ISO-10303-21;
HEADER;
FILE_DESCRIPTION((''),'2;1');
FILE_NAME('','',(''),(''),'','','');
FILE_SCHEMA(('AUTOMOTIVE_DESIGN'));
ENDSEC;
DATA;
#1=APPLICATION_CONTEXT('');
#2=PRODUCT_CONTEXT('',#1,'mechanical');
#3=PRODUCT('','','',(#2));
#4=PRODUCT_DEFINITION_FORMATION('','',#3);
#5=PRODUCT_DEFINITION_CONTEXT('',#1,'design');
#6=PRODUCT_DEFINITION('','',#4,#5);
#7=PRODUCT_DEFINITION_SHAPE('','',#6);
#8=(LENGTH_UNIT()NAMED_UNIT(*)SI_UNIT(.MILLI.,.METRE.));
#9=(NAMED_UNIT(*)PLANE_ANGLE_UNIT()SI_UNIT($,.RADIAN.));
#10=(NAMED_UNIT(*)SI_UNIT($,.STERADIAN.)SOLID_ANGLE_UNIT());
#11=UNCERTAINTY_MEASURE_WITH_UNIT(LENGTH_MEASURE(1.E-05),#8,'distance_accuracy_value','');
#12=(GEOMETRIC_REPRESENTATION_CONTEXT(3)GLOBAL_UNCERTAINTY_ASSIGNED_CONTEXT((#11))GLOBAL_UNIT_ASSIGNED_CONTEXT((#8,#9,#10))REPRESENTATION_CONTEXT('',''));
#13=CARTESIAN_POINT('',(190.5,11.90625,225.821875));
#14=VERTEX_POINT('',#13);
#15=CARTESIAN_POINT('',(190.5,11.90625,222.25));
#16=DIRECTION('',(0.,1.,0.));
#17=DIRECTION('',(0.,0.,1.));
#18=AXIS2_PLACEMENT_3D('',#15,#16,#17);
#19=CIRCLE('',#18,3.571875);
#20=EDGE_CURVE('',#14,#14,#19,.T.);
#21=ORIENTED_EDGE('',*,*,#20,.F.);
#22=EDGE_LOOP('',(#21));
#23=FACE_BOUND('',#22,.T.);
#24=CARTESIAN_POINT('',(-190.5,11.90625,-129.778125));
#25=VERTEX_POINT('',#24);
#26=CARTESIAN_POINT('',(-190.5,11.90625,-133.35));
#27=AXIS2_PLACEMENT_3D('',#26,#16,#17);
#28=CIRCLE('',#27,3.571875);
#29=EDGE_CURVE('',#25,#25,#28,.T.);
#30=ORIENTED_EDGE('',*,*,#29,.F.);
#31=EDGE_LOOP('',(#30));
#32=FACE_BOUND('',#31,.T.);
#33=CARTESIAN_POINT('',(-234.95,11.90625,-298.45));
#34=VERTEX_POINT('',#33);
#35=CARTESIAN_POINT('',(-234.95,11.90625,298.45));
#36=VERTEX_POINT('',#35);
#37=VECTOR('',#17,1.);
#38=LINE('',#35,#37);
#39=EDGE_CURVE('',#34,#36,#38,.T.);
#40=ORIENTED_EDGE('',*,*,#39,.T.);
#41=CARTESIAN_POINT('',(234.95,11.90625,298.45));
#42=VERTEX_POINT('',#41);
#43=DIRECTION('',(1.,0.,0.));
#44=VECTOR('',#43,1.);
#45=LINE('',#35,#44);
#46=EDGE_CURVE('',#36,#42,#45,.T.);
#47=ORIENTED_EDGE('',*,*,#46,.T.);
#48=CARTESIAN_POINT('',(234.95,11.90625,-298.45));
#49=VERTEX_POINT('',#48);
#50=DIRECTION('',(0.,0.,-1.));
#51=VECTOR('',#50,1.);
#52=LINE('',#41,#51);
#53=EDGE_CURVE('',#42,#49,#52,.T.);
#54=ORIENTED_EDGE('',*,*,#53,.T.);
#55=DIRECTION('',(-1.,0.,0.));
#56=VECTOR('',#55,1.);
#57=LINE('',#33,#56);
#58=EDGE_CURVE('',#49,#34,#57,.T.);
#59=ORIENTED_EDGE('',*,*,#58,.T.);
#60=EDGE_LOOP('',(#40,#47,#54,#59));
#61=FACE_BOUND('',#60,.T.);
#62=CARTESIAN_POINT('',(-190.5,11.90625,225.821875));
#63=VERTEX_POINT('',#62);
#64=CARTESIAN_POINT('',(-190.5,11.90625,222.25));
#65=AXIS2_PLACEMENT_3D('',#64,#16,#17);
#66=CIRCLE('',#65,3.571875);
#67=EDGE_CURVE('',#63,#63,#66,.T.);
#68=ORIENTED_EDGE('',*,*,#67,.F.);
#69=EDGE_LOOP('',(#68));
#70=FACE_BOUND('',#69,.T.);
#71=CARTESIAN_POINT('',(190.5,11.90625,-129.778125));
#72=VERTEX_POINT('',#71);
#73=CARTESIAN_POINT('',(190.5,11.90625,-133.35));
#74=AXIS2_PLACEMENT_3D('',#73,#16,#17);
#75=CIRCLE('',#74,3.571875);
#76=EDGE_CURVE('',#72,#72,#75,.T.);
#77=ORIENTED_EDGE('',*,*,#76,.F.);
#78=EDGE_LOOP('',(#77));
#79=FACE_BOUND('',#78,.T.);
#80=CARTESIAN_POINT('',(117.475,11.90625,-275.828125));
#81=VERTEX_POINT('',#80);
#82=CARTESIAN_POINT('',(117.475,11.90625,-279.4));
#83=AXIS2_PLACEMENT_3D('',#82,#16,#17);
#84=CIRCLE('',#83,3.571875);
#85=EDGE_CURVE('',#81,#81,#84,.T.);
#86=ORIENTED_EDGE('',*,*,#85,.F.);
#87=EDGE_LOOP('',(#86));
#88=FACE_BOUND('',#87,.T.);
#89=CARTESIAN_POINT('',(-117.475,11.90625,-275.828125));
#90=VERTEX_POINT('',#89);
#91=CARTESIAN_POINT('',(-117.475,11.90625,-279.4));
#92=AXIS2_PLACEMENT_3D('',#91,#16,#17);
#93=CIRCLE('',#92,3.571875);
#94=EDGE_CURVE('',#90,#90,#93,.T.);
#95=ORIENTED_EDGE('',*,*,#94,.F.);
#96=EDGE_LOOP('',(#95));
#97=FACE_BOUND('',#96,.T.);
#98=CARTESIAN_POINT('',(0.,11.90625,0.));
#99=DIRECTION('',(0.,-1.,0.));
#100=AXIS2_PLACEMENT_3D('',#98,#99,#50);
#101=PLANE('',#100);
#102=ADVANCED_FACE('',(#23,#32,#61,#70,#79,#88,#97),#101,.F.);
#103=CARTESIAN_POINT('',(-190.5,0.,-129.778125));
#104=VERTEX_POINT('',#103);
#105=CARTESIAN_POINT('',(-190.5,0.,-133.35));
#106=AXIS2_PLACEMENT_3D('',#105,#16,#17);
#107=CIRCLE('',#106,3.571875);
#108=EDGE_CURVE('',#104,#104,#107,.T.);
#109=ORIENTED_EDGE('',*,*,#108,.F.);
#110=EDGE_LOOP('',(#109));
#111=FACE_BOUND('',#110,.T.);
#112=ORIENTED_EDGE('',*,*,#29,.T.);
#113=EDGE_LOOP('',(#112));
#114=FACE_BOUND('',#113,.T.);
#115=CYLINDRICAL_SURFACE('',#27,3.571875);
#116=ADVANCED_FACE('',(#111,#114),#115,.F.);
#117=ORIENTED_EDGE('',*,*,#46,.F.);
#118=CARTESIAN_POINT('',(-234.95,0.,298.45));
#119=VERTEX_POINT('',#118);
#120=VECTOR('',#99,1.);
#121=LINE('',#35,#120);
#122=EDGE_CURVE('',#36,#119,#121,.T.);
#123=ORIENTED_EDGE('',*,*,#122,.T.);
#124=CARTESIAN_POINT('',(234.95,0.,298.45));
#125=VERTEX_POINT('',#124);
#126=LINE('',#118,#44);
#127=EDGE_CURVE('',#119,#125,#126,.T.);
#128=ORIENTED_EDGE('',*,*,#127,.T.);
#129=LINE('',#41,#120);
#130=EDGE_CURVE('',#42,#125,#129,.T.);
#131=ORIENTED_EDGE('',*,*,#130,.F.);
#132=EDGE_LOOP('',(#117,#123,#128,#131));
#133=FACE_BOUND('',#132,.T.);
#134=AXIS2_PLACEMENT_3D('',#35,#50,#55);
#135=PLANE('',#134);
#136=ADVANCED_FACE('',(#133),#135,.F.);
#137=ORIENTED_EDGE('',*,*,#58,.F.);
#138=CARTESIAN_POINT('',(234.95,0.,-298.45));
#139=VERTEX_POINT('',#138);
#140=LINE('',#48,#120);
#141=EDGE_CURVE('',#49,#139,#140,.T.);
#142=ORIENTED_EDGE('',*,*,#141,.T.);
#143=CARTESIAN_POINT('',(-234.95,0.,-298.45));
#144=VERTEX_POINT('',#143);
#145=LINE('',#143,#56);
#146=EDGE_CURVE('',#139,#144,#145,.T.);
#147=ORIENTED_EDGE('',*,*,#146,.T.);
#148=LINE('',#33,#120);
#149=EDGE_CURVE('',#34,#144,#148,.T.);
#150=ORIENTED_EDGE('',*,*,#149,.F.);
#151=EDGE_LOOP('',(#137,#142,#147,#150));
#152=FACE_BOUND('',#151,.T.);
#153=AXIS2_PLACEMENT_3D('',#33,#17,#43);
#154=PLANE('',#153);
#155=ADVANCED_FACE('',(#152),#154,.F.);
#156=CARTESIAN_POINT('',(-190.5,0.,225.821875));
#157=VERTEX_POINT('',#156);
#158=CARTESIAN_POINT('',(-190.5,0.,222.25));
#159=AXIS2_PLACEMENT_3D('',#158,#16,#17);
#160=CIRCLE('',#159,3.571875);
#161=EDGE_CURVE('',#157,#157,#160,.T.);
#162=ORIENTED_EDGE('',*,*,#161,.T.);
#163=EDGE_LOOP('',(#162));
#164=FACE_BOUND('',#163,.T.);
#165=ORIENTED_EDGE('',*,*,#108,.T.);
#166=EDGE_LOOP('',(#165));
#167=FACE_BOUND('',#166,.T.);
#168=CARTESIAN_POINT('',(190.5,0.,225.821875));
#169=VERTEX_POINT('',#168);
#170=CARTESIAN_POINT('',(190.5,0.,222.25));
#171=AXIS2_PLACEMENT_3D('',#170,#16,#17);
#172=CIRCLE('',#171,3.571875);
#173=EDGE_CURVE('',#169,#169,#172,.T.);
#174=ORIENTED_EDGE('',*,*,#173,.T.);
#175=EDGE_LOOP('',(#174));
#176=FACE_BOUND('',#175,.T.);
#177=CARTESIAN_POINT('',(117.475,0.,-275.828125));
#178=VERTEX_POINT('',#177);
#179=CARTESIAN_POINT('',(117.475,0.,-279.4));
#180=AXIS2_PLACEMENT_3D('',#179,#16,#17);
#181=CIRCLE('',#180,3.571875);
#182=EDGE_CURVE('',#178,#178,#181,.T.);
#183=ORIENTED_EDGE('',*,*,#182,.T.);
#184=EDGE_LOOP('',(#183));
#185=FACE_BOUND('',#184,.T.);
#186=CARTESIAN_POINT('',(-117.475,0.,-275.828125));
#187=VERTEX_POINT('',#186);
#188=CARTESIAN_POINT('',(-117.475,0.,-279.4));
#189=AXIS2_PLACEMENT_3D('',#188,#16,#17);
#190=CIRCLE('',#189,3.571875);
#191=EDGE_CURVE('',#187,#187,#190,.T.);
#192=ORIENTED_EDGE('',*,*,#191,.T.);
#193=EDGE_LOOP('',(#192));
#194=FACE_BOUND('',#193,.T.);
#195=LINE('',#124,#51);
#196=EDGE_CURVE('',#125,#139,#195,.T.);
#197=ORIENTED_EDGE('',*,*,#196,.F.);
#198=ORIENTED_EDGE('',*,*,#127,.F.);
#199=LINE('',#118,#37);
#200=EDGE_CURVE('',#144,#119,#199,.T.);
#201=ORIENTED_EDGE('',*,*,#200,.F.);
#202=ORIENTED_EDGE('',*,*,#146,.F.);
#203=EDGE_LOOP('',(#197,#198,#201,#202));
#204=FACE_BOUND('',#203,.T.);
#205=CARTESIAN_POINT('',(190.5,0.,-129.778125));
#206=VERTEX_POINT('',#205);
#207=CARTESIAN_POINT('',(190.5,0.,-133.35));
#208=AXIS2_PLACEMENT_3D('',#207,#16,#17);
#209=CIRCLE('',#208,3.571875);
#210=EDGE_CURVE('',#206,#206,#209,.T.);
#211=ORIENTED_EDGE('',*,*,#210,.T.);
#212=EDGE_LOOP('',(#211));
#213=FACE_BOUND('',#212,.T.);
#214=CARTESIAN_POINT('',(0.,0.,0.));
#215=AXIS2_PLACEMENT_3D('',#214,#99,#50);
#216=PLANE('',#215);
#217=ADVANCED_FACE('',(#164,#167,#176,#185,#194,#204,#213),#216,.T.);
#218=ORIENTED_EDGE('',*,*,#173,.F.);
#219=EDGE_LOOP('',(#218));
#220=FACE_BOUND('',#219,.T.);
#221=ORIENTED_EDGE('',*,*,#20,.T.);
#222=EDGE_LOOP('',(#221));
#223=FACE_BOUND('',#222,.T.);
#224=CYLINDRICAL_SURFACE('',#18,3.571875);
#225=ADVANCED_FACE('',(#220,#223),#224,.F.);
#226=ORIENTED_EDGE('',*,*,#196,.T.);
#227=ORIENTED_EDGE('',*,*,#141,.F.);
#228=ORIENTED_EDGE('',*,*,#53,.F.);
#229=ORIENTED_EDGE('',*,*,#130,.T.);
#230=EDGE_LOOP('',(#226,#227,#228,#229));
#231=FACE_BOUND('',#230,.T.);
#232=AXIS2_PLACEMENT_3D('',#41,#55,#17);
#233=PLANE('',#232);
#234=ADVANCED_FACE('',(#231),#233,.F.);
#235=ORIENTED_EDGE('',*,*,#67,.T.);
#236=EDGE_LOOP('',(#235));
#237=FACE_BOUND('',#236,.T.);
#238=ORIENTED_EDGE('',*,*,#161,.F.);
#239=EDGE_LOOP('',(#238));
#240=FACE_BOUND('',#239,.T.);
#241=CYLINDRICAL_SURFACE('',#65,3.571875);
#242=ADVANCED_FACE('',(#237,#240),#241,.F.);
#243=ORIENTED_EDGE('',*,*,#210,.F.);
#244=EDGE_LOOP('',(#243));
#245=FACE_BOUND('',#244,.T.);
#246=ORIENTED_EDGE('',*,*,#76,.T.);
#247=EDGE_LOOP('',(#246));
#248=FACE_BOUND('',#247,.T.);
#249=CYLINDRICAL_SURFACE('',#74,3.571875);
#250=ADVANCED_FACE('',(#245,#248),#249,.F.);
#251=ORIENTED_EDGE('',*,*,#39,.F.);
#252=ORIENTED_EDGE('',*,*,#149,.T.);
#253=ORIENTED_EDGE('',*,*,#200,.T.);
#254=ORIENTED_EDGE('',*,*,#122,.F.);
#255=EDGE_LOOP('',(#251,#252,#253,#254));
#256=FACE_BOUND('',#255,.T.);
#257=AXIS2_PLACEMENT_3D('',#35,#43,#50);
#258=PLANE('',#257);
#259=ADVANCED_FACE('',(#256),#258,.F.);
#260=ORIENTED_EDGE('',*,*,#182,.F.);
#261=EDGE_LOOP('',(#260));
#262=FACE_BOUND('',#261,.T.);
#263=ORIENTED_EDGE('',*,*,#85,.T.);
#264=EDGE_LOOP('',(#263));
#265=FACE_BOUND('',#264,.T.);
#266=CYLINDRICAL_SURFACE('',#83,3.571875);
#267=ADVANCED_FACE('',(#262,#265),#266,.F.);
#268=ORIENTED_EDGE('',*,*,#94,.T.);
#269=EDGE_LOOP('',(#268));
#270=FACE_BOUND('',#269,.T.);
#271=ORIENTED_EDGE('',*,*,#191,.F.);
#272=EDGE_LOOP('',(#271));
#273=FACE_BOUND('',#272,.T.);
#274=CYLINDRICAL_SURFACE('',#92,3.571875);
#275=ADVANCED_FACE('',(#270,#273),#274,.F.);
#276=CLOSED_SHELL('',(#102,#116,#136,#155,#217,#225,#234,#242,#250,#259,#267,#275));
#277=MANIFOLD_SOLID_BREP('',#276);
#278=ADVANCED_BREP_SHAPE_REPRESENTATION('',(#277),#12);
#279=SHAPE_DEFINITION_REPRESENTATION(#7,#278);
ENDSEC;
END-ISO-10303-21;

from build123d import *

# Parameters (mm, degrees)
SKETCH1_W                       = 469.9
SKETCH1_H                       = 596.9
BOSS_EXTRUDE1_DEPTH             = 11.90625
F_9_32_0_28125_DIAMETER_HOLE1_D = 7.14375


with BuildPart() as part:
    # Sketch1 → Boss-Extrude1 (new body)
    with BuildSketch(Plane(origin=(0, 0, 0), x_dir=(1, 0, 0), z_dir=(0, 1, 0))):
        Rectangle(SKETCH1_W, SKETCH1_H)
    extrude(amount=BOSS_EXTRUDE1_DEPTH)

    # 9/32 (0.28125) Diameter Hole1 (through all)
    with Locations(Plane(origin=(0, 11.90625, 0), x_dir=(1, 0, 0), z_dir=(0, 1, 0))):
        with Locations((-190.5, 133.35), (190.5, 133.35), (190.5, -222.25), (-190.5, -222.25), (-117.475, 279.4), (117.475, 279.4)):
            Hole(F_9_32_0_28125_DIAMETER_HOLE1_D / 2)


solid = part.part
